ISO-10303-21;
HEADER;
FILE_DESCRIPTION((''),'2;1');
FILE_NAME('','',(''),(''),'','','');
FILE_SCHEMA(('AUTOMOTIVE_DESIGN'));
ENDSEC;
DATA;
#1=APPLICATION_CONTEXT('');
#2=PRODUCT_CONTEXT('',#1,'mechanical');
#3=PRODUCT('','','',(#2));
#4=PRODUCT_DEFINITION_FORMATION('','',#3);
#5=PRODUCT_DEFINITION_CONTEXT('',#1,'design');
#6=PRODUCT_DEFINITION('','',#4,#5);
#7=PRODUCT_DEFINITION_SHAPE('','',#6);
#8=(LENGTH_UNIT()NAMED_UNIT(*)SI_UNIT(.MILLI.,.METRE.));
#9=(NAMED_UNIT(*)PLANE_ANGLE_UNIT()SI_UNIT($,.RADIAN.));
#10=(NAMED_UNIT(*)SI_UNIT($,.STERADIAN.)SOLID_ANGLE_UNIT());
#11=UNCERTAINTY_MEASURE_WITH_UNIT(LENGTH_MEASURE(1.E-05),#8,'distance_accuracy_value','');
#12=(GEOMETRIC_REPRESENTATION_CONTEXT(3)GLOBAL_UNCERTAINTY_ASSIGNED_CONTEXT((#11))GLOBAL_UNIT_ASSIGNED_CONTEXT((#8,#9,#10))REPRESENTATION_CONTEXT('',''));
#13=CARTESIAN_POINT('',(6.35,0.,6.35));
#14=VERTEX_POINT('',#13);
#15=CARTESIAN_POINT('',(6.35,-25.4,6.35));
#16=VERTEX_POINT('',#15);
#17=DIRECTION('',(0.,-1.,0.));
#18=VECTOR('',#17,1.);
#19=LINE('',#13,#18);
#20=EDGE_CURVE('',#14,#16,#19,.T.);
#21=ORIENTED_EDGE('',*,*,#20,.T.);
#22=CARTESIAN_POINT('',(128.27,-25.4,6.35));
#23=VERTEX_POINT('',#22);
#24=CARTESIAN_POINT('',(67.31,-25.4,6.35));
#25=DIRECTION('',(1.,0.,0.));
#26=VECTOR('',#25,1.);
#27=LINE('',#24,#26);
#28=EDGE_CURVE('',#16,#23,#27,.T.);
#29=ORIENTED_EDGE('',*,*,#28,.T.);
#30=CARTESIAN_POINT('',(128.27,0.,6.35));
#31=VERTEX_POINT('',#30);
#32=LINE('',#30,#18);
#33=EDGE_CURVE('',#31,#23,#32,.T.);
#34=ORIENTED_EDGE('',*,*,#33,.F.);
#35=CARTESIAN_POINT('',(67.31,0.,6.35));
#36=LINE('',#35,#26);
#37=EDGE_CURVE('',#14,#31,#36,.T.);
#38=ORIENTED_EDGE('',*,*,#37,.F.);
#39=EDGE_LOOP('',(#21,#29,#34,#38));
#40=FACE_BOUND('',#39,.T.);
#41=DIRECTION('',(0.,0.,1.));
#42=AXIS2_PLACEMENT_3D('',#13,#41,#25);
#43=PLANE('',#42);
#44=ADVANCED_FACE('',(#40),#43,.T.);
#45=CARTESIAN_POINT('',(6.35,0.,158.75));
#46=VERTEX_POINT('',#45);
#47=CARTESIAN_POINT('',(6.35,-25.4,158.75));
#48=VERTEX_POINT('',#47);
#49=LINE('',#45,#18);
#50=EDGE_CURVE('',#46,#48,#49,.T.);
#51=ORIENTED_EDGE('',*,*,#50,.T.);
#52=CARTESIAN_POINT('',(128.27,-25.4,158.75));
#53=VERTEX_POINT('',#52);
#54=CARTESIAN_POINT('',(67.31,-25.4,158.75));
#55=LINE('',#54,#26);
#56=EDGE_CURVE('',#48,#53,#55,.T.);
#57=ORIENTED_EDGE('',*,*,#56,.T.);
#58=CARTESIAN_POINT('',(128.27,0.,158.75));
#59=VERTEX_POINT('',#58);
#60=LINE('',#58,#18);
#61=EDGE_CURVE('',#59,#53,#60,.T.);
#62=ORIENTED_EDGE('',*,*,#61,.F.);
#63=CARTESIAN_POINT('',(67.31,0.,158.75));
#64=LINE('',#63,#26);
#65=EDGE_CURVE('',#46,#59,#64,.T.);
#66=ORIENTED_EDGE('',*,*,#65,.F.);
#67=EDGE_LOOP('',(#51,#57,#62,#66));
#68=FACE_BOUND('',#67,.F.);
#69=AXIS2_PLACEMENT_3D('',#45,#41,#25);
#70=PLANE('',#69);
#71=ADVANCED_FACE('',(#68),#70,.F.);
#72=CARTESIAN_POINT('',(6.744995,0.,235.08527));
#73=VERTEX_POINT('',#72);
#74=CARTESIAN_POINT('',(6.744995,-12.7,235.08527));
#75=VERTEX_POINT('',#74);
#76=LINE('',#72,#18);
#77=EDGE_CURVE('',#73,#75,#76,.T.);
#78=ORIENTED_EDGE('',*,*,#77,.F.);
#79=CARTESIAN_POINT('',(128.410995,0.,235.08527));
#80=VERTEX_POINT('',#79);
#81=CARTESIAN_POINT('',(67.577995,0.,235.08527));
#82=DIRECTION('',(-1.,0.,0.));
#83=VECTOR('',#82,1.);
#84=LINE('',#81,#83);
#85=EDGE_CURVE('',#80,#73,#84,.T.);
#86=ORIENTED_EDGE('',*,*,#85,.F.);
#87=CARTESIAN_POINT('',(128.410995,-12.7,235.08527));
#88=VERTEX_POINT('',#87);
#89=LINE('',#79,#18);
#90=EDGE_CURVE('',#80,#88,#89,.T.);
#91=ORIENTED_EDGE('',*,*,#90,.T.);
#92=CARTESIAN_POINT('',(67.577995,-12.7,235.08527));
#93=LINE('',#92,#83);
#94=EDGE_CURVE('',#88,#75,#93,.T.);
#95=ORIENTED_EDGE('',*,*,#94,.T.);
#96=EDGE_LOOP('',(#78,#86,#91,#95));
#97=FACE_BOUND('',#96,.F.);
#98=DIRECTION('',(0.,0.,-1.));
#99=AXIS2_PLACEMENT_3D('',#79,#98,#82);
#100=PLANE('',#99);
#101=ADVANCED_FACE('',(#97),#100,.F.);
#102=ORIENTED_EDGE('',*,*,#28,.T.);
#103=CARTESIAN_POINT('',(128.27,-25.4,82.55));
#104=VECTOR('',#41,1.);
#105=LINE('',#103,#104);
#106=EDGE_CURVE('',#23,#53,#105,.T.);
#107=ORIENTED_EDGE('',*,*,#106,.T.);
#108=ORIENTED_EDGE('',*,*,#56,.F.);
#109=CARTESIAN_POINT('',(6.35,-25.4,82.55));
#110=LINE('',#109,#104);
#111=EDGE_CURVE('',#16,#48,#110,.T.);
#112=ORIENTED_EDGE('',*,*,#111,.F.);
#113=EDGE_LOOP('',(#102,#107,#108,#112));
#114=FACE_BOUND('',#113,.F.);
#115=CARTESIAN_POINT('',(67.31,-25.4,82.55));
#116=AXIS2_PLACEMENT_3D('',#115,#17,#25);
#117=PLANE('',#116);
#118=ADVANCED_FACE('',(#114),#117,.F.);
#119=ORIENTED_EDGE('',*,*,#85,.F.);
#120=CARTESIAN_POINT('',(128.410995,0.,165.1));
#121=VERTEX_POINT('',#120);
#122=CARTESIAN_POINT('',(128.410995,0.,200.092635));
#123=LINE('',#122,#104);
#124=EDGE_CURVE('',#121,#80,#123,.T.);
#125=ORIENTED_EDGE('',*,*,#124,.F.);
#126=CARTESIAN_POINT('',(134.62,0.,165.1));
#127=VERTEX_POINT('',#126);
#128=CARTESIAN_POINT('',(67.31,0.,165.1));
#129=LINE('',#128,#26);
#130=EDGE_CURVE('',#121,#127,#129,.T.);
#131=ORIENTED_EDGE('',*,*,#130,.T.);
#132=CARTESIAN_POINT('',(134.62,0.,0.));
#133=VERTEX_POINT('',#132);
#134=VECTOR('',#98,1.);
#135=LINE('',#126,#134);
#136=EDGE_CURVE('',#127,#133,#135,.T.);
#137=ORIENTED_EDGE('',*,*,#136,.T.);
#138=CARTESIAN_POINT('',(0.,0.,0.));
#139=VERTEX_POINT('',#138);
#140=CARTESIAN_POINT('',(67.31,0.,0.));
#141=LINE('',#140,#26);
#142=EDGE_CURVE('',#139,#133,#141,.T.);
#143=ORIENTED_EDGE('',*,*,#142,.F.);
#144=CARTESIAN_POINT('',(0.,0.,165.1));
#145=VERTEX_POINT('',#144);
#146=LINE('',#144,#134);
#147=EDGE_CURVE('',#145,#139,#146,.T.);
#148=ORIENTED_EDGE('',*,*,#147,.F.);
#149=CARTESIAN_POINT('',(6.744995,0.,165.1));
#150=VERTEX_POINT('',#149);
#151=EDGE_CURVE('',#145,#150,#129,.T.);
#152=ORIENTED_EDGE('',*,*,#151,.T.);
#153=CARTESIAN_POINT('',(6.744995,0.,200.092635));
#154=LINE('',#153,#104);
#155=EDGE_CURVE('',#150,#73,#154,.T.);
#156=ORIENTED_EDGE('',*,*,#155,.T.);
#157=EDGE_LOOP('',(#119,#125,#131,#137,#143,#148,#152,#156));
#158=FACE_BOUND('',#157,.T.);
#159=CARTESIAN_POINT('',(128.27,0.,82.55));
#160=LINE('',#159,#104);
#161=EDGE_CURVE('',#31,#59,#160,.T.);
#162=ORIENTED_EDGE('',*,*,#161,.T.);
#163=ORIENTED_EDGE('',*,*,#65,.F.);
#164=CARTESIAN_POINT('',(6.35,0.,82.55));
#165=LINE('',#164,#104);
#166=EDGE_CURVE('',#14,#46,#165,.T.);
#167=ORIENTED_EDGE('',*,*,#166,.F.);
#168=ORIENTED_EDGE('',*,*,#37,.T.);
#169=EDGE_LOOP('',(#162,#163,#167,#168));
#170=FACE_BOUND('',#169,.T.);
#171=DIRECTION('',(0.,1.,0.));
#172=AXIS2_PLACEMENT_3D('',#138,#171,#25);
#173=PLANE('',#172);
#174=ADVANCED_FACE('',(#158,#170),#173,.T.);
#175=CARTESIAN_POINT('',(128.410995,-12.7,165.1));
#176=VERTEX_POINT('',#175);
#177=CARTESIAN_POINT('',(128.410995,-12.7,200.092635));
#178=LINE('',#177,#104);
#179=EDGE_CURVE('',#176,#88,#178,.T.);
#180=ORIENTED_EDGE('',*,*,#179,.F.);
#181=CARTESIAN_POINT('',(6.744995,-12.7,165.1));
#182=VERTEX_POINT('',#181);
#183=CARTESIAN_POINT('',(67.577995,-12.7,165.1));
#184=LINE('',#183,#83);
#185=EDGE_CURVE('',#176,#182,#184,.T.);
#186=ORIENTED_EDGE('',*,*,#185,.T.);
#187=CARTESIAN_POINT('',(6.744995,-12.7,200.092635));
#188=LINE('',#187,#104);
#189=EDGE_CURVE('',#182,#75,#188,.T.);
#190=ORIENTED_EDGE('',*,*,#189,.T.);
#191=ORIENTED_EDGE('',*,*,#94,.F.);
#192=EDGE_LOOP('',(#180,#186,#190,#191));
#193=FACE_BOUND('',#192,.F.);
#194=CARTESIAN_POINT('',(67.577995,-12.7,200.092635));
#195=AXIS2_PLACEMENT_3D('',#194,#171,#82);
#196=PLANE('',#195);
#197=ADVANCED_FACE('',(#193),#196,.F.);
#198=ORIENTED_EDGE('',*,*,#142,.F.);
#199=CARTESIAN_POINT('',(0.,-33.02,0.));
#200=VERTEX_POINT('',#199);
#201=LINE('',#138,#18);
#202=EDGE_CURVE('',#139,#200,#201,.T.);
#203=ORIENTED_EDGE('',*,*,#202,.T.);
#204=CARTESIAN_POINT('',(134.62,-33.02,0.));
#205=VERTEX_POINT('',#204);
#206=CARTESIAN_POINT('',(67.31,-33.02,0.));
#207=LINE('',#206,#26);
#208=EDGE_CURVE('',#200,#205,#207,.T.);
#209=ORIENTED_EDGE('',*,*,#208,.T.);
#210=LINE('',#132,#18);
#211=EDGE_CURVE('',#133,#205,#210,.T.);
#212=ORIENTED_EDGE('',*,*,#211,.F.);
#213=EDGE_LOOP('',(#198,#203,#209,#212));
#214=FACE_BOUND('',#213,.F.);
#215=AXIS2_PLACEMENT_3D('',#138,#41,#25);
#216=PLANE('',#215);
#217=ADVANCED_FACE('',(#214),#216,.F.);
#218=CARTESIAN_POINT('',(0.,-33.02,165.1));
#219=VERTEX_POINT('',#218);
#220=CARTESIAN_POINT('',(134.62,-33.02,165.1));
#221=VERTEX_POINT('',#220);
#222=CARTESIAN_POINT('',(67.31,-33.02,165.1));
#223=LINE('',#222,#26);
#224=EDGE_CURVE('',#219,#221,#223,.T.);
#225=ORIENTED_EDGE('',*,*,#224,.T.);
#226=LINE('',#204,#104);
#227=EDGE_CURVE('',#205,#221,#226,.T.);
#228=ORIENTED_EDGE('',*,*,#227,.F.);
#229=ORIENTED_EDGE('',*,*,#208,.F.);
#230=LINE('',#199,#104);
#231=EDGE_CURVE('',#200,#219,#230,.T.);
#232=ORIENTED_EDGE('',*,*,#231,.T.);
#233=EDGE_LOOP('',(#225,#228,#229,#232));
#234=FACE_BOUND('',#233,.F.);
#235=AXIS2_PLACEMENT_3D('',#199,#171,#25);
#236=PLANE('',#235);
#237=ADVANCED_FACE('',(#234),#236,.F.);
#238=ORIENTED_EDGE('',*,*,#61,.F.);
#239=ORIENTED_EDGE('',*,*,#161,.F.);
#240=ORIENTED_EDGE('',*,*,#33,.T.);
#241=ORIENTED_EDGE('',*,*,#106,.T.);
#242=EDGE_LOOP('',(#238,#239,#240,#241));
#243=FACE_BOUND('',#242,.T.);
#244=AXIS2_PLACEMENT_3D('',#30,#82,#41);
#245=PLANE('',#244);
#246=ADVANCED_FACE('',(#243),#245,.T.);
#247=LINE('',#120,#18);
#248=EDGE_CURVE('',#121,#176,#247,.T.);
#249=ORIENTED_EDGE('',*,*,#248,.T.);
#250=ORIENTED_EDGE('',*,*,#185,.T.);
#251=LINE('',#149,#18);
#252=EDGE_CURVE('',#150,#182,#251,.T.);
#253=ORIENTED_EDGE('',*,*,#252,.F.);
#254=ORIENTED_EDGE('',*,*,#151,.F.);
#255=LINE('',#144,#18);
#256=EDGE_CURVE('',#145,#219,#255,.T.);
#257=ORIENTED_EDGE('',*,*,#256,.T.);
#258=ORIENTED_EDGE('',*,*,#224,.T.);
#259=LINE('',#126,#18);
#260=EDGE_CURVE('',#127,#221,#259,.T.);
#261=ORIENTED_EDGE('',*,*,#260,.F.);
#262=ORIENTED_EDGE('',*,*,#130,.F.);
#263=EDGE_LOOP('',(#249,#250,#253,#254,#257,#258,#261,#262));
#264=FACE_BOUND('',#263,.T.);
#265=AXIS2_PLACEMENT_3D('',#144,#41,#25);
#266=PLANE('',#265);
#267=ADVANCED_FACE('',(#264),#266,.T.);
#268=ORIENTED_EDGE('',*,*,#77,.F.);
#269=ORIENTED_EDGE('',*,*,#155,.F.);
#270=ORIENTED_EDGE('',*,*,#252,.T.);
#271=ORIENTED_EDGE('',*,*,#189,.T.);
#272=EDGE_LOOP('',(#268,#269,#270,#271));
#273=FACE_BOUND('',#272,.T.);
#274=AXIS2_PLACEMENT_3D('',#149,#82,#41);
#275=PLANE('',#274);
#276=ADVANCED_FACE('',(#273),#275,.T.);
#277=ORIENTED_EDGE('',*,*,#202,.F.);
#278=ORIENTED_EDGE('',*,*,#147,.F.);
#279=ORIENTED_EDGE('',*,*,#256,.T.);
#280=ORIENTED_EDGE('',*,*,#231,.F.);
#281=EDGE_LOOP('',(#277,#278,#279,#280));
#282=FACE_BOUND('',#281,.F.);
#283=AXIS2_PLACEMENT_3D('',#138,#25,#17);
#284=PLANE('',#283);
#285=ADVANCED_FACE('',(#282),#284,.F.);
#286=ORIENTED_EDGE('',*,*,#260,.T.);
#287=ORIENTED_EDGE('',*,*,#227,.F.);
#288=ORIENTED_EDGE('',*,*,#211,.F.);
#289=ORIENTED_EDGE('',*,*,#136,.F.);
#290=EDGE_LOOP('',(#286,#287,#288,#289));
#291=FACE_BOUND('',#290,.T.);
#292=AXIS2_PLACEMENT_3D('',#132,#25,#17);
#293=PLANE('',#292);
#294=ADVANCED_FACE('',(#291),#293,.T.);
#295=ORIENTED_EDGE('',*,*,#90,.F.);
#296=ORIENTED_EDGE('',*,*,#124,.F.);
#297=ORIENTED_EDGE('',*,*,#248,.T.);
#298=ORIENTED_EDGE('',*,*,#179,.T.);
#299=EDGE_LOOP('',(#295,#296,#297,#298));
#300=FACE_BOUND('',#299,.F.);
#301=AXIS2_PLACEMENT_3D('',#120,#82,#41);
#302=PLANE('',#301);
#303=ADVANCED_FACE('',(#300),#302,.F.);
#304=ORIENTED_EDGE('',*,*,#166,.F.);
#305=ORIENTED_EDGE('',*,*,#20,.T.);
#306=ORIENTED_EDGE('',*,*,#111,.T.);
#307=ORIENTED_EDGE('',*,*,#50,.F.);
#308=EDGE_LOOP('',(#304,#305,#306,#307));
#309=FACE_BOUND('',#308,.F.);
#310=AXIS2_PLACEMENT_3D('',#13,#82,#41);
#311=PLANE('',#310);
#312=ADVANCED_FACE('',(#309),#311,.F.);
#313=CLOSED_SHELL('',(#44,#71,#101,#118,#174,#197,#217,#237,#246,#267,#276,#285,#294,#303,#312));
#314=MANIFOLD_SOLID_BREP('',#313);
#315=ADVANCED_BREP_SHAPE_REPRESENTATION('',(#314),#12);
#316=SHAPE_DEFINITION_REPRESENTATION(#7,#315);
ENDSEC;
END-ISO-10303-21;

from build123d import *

# Parameters (mm, degrees)
F0_W     = 134.62
F0_H     = 165.1
F0_W_2   = 121.92
F0_H_2   = 152.4
F1_DEPTH = 33.02
F2_W     = 121.92
F2_H     = 152.4
F4_DEPTH = 7.62
F5_W     = 121.666
F5_H     = 69.9852703571
F6_DEPTH = 12.7
F7_DEPTH = 5.08
F8_DEPTH = 3.81


with BuildPart() as f1:
    # F0 (on Front) → F1 (new body)
    with BuildSketch(Plane.XZ):
        with Locations((67.31, 82.55)):
            Rectangle(F0_W, F0_H)
        with Locations((67.31, 82.55)):
            Rectangle(F0_W_2, F0_H_2, mode=Mode.SUBTRACT)
    extrude(amount=F1_DEPTH)

    # F2 (on face) → F4 (join)
    with BuildSketch(Plane.XZ.offset(33.02)):
        with Locations((67.31, 82.55)):
            Rectangle(F2_W, F2_H)
    extrude(amount=-F4_DEPTH)

    # F5 (on face) → F6 (join)
    with BuildSketch(Plane(origin=(0, 0, 0), x_dir=(-1, 0, 0), z_dir=(0, 1, 0))):
        with Locations((-67.5779950066, 200.0926351786)):
            Rectangle(F5_W, F5_H)
    extrude(amount=-F6_DEPTH)

    # F7 (add): a face of the model
    f7_faces = [f1.faces().sort_by_distance(p)[0] for p in [
        (67.31, -16.51, 0),
    ]]
    extrude(f7_faces, amount=-F7_DEPTH)

    # F8 (add): a face of the model
    f8_faces = [f1.faces().sort_by_distance(p)[0] for p in [
        (67.31, -16.51, 0),
    ]]
    extrude(f8_faces, amount=-F8_DEPTH)


solid = f1.part
